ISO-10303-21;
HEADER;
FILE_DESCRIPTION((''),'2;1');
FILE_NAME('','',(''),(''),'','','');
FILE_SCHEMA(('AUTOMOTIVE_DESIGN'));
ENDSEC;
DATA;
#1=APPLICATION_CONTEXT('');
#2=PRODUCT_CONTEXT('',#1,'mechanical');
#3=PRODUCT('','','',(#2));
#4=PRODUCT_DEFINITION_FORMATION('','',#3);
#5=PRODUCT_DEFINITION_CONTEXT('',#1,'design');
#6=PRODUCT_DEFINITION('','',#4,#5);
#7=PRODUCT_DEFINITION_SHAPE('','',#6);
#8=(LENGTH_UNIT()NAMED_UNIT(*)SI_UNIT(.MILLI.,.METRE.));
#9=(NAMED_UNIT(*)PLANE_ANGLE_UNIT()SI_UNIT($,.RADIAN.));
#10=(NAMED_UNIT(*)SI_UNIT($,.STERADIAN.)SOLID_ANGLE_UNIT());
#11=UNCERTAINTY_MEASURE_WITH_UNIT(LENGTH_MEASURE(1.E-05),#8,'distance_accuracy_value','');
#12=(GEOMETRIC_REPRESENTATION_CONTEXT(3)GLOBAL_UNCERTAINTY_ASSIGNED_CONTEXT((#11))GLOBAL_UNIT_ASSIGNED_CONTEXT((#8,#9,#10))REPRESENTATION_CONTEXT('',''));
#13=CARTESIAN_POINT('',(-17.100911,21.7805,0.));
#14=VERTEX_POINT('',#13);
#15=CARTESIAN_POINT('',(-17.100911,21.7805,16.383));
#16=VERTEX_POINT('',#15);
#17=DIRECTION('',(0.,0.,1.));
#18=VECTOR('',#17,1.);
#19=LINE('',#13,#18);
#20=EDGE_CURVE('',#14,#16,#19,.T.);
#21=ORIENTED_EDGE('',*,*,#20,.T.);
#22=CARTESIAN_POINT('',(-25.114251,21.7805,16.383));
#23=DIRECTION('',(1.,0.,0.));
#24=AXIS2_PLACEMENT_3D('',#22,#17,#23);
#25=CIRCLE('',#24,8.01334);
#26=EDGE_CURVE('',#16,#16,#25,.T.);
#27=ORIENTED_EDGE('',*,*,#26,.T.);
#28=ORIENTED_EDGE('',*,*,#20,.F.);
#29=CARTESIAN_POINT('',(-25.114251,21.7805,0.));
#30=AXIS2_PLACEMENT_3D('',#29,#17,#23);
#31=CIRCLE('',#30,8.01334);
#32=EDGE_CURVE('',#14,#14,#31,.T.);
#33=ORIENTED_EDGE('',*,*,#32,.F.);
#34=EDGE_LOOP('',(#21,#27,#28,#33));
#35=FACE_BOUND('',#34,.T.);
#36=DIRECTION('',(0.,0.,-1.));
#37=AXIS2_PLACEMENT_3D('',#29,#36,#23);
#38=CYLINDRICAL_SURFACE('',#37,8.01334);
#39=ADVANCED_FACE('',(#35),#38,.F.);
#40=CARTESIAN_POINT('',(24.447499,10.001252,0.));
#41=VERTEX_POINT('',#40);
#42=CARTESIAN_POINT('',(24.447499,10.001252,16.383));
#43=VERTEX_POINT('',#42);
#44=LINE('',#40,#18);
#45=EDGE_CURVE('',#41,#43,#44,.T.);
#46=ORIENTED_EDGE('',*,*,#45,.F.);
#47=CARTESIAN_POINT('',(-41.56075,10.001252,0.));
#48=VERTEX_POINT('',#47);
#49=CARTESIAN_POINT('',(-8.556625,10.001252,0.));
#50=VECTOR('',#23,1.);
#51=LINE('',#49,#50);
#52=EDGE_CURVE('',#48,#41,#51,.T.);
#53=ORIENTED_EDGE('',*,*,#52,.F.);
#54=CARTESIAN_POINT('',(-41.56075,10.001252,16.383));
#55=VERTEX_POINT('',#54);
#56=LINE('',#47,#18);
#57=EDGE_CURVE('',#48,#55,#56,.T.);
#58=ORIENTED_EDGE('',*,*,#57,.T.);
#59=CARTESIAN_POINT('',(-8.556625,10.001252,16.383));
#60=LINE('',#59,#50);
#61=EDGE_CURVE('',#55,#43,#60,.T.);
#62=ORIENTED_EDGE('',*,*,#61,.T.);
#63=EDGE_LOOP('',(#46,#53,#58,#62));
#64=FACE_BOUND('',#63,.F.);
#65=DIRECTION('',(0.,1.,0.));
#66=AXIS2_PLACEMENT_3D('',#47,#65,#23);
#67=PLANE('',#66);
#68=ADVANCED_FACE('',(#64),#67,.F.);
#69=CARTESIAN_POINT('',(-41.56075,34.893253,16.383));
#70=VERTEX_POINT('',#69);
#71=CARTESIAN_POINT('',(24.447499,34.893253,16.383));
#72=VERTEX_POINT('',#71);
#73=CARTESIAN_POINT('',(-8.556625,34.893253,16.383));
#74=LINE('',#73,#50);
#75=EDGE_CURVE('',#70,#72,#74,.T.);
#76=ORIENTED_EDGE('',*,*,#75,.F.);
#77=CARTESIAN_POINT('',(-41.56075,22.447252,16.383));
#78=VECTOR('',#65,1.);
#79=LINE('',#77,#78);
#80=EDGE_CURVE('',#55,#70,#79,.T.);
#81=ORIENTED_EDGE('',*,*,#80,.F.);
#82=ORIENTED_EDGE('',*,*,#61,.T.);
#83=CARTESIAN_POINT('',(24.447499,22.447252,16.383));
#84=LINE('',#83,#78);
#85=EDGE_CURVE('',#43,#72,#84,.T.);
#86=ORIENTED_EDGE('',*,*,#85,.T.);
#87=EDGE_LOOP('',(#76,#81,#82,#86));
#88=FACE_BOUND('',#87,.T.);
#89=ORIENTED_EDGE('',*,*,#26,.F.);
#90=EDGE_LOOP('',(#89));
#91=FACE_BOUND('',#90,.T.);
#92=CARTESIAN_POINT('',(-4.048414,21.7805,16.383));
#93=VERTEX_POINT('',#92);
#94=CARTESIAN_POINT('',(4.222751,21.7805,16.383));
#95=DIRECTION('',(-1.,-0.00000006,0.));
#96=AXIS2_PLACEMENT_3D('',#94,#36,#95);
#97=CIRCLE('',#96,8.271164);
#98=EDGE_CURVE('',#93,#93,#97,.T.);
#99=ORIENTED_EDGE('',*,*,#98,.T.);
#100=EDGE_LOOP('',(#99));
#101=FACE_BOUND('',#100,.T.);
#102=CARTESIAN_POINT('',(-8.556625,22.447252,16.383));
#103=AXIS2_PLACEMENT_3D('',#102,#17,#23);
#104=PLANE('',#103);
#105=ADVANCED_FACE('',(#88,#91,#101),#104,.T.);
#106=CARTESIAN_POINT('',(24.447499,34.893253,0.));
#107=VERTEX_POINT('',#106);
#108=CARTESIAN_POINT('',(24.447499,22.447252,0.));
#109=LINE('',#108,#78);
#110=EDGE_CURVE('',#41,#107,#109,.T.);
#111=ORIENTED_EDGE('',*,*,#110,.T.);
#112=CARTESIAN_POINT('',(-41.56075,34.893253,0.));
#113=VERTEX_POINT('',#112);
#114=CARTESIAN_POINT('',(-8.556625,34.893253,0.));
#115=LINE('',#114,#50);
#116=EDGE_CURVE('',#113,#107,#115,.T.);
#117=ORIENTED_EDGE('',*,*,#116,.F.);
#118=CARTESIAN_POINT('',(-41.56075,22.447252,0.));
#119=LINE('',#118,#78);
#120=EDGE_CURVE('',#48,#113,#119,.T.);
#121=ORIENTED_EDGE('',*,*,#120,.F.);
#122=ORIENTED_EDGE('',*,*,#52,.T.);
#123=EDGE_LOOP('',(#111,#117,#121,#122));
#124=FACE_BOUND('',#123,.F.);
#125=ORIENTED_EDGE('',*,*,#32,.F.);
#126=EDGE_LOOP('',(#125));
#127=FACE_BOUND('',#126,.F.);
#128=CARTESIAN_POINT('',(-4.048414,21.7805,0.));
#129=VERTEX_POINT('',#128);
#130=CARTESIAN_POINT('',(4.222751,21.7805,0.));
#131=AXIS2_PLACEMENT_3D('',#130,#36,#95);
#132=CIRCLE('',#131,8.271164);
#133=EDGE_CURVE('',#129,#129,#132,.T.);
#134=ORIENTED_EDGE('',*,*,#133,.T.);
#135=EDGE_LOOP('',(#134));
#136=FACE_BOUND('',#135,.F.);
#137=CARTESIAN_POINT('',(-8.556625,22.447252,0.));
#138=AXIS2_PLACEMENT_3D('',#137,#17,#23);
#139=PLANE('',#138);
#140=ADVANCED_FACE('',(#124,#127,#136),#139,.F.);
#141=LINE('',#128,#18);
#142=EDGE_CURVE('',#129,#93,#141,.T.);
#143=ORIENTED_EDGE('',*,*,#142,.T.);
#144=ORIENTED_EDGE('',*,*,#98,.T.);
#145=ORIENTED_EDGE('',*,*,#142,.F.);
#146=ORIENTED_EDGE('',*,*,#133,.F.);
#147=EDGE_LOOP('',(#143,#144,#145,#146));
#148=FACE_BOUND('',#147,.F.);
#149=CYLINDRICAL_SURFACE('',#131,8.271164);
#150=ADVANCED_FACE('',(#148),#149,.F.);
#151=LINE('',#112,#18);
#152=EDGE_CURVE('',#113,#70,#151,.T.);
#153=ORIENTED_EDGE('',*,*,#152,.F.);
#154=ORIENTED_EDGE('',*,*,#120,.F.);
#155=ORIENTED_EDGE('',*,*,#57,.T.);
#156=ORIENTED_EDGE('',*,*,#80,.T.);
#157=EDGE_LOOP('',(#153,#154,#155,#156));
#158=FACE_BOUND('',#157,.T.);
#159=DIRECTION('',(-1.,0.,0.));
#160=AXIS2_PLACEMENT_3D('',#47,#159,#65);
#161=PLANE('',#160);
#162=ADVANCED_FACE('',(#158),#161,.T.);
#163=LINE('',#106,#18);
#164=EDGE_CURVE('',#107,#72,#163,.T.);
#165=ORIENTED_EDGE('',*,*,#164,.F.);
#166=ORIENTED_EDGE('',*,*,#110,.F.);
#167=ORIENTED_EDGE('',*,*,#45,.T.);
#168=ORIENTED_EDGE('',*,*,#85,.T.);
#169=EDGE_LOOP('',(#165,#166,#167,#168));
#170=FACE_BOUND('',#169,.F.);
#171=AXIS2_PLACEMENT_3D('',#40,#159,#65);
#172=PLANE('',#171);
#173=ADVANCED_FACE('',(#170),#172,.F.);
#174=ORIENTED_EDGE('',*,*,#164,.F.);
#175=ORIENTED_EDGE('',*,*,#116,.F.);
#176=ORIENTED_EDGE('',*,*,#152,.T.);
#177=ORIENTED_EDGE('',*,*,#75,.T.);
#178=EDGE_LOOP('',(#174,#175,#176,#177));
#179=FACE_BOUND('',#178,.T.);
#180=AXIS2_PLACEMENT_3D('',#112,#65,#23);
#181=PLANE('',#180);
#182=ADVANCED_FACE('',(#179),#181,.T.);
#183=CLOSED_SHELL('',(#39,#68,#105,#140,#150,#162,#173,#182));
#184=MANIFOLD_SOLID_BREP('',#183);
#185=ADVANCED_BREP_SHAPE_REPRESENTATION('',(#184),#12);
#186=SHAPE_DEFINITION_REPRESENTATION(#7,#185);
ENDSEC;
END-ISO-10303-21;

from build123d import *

# Parameters (mm, degrees)
F1_W     = 66.008249
F1_H     = 24.892001
F1_R     = 8.01334
F2_DEPTH = 16.383


with BuildPart() as f2:
    # F1 (on face) → F2 (new body)
    with BuildSketch(Plane.XY):
        with Locations((-8.556625, 22.447252)):
            Rectangle(F1_W, F1_H)
        with Locations((-25.114251, 21.7805)):
            Circle(F1_R, mode=Mode.SUBTRACT)
        with BuildLine():
            ThreePointArc((12.493915, 21.7805), (4.22275, 13.509336), (-4.048414, 21.7805))
            ThreePointArc((-4.048414, 21.7805), (4.22275, 30.051665), (12.493915, 21.7805))
        make_face(mode=Mode.SUBTRACT)
    extrude(amount=F2_DEPTH)


solid = f2.part
